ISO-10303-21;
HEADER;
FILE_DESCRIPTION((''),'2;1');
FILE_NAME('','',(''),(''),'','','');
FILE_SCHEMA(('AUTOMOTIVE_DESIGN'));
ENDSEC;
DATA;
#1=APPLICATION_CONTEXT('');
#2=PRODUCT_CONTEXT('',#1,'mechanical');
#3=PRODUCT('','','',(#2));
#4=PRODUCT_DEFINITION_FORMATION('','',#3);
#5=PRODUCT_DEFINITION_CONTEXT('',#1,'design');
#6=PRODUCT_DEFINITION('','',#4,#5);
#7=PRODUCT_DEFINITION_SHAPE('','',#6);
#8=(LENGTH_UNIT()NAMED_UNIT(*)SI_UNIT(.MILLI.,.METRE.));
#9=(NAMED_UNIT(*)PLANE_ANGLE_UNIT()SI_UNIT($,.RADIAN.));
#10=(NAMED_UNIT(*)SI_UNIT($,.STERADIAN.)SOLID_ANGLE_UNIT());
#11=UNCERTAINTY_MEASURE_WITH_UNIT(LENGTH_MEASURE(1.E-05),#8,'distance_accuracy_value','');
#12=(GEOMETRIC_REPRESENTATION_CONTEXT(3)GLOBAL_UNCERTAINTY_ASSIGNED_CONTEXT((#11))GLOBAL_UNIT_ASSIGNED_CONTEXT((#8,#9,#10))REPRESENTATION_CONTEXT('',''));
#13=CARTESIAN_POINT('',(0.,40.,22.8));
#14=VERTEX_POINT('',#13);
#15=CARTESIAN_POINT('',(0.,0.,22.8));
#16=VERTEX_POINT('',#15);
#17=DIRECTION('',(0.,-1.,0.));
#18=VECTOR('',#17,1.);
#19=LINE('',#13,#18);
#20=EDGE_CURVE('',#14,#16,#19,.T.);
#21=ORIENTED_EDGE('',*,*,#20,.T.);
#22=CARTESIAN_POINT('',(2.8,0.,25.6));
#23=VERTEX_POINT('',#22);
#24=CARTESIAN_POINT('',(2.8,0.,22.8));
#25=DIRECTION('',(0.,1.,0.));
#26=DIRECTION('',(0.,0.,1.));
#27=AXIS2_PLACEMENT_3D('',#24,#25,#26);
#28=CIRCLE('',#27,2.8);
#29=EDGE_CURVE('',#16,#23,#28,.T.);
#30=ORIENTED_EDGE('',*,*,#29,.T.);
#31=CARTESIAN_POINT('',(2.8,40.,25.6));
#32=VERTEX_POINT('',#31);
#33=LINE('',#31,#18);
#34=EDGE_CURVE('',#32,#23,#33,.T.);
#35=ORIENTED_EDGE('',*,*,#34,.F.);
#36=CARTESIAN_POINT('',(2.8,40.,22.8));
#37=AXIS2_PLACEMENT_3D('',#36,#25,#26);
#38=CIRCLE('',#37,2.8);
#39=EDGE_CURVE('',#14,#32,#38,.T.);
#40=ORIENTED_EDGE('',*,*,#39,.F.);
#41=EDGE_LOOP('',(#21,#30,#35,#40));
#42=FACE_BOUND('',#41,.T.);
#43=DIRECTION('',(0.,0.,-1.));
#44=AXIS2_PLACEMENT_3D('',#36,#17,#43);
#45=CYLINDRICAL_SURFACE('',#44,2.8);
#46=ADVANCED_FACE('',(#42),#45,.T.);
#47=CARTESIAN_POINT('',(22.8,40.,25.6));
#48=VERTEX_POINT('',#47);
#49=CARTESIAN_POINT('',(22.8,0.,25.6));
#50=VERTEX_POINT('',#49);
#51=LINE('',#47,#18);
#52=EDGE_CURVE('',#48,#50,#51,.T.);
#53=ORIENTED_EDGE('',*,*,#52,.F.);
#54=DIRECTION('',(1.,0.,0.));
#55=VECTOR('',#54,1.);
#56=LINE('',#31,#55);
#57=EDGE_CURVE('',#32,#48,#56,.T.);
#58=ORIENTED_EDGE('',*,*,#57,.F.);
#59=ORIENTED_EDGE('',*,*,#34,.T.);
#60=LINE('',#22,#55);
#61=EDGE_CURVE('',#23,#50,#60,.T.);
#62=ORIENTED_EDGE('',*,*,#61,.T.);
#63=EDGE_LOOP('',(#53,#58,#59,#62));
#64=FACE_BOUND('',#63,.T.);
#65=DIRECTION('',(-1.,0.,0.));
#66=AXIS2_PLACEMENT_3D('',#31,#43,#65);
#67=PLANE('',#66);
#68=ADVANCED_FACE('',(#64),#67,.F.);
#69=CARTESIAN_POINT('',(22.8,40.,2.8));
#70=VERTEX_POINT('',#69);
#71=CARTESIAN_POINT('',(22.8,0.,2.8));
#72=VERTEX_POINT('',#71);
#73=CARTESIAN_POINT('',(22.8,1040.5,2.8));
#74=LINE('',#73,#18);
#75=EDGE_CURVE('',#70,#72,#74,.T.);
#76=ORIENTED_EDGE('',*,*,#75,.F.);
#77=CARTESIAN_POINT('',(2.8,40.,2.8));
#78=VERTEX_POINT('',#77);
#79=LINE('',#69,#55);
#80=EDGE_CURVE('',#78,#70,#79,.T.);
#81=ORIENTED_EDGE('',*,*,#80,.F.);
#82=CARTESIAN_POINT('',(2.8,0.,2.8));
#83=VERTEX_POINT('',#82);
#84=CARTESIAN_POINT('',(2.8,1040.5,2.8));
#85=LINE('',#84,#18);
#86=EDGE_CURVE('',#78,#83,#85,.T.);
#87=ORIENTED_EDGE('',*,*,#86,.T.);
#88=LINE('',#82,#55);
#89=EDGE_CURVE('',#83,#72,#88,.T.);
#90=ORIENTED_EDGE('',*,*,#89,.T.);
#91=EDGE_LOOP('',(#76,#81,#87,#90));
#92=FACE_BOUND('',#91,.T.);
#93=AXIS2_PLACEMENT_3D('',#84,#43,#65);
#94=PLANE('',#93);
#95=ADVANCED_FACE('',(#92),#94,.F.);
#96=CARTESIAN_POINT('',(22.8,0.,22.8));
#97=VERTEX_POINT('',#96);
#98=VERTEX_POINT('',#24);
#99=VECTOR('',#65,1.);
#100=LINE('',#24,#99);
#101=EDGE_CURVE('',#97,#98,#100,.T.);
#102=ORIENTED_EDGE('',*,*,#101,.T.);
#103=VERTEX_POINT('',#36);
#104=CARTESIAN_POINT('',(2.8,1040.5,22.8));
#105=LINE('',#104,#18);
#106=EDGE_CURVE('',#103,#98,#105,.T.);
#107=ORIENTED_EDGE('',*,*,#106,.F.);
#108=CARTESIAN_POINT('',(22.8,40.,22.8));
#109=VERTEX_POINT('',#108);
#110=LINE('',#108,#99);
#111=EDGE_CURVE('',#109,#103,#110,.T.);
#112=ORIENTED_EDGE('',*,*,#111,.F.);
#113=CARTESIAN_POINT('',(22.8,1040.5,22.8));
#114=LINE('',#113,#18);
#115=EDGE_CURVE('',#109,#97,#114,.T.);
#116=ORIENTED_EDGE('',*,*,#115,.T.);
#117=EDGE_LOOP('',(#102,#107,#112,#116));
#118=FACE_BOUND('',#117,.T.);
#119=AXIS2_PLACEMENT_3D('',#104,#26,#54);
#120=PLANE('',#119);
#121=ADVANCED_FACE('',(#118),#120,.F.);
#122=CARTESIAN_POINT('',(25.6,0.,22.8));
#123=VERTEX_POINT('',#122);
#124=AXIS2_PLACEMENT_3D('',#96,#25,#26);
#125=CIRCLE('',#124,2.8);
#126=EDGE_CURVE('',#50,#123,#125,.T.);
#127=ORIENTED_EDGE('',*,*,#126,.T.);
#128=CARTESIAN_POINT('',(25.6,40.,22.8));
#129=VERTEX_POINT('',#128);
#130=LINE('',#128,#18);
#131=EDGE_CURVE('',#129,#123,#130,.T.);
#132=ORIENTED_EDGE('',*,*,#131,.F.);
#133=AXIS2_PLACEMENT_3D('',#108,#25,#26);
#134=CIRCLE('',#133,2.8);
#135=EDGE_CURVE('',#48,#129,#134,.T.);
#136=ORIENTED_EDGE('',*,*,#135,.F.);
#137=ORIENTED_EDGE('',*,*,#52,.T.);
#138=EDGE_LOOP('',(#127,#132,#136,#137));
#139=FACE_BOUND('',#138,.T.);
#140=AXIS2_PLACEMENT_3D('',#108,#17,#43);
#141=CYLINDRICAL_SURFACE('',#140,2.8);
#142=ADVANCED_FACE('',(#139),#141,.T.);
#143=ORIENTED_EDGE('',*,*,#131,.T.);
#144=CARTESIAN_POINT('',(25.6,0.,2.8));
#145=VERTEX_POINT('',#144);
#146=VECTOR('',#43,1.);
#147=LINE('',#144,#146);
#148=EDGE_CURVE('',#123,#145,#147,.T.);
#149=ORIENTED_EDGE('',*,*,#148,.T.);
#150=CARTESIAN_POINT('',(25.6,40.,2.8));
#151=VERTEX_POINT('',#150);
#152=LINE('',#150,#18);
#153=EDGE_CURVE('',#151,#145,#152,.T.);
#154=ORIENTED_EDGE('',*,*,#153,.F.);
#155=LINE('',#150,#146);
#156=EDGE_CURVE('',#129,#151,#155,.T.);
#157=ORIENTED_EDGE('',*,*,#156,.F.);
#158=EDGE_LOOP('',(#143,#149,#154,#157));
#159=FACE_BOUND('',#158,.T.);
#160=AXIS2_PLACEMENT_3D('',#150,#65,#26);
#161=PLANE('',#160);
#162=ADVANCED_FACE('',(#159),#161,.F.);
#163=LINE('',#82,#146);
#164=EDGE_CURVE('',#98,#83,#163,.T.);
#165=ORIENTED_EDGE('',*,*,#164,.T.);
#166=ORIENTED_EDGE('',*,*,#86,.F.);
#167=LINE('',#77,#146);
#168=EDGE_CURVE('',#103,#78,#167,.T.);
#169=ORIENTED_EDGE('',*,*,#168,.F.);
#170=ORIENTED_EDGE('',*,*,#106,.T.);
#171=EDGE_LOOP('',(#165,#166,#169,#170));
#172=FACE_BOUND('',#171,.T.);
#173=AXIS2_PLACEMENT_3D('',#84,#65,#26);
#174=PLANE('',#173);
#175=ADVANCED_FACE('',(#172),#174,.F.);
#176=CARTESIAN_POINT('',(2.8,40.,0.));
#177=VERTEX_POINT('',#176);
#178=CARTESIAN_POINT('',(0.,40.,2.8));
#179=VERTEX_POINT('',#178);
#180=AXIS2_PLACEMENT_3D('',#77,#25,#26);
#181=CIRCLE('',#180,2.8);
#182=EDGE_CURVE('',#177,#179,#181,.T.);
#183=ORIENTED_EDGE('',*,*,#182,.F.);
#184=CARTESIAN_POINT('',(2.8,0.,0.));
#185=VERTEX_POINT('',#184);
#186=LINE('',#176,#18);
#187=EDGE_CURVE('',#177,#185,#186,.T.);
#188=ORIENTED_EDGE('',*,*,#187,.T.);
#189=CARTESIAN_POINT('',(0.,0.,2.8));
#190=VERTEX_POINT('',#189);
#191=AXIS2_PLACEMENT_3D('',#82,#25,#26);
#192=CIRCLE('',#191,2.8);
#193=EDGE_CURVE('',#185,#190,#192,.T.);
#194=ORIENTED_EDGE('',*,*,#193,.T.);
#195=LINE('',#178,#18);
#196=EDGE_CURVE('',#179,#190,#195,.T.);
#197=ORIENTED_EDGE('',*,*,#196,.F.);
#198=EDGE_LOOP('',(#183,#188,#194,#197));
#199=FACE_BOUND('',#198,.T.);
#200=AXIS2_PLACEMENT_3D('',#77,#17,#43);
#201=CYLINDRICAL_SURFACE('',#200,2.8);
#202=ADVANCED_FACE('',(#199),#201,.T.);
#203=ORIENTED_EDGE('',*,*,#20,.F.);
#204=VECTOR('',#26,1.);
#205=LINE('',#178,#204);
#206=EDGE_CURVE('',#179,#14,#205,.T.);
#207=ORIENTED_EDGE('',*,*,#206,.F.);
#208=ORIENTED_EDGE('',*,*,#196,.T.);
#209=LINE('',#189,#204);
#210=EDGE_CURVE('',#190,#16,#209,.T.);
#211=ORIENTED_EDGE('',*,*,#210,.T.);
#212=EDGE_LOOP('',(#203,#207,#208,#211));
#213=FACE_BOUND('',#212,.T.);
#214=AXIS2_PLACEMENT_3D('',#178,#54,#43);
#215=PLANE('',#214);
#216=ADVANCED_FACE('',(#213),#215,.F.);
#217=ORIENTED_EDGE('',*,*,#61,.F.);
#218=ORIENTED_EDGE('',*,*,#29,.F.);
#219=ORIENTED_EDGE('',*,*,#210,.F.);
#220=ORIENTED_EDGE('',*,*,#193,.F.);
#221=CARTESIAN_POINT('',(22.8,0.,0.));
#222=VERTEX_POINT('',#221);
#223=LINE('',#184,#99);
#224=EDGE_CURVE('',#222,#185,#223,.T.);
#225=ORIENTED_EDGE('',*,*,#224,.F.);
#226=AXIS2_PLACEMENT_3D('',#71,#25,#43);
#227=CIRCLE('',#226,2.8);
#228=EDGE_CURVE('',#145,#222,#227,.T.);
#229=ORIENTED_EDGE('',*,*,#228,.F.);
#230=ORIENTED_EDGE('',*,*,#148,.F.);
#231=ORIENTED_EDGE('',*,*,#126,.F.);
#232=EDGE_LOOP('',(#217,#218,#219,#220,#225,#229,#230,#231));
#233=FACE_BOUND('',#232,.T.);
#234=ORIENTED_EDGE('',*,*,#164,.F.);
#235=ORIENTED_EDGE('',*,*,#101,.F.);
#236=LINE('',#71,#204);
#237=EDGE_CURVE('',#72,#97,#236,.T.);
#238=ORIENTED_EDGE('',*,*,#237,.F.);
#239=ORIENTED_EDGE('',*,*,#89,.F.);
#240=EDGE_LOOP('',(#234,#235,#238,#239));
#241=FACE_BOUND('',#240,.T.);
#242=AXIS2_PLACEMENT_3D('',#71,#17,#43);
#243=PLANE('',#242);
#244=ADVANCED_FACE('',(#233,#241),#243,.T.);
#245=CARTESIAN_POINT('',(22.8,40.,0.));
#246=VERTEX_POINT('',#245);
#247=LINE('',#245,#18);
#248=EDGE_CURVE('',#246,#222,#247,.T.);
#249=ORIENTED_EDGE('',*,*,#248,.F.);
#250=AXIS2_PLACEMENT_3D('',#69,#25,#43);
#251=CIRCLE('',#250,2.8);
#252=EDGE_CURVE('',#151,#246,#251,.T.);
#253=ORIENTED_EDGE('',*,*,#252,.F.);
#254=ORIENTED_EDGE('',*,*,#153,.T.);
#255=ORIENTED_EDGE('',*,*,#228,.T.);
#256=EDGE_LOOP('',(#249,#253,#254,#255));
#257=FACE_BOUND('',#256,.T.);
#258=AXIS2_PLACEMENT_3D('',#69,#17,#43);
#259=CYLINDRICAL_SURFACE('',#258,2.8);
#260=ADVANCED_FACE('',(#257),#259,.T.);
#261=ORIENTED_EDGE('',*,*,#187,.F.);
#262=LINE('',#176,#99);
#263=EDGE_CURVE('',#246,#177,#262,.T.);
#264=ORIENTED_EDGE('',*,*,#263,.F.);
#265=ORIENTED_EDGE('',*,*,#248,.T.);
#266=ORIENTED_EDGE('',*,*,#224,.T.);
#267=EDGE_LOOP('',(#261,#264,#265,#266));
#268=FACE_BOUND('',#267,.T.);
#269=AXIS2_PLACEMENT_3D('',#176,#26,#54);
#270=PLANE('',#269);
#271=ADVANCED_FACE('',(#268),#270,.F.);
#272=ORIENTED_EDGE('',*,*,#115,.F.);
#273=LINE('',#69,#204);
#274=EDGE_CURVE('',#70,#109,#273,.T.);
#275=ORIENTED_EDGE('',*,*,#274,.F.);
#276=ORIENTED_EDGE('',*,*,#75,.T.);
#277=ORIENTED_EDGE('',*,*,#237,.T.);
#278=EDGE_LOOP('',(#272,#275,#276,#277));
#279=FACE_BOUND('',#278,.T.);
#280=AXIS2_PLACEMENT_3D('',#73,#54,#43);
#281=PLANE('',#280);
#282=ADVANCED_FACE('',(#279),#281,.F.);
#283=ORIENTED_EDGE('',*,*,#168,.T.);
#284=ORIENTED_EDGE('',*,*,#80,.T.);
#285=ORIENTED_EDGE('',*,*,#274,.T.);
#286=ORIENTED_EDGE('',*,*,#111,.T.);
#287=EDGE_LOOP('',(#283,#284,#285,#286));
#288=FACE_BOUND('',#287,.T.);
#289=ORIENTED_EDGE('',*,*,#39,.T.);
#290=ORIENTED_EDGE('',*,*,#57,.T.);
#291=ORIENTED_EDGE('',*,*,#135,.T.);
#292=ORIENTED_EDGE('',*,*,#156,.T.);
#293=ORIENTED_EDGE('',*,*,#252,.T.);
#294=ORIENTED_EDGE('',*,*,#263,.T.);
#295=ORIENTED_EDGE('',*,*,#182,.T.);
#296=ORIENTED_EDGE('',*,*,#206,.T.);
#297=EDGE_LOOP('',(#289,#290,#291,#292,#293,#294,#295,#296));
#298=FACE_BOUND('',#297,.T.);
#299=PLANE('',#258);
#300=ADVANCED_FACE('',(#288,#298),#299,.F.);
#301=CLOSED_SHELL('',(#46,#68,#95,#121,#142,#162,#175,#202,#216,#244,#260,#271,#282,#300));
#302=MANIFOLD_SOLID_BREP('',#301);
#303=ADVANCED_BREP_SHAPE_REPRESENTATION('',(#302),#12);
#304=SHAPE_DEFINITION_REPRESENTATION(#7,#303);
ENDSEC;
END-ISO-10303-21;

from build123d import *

# Parameters (mm, degrees)
BOSS_EXTRUDE1_DEPTH = 40
SKETCH3_W           = 20
SKETCH3_H           = 20
CUT_EXTRUDE1_DEPTH  = 1040.5


with BuildPart() as part:
    # Sketch1 → Boss-Extrude1 (new body)
    with BuildSketch(Plane(origin=(0, 0, 0), x_dir=(1, 0, 0), z_dir=(0, 1, 0))):
        with BuildLine():
            Line((2.8, 0), (22.8, 0))
            ThreePointArc((22.8, 0), (24.779898987, -0.820101013), (25.6, -2.8))
            Line((25.6, -2.8), (25.6, -22.8))
            ThreePointArc((25.6, -22.8), (24.779898987, -24.779898987), (22.8, -25.6))
            Line((22.8, -25.6), (2.8, -25.6))
            ThreePointArc((2.8, -25.6), (0.820101013, -24.779898987), (0, -22.8))
            Line((0, -22.8), (0, -2.8))
            ThreePointArc((0, -2.8), (0.820101013, -0.820101013), (2.8, 0))
        make_face()
    extrude(amount=BOSS_EXTRUDE1_DEPTH)

    # Sketch3 → Cut-Extrude1 (cut)
    with BuildSketch(Plane(origin=(0, 0, 0), x_dir=(-1, 0, 0), z_dir=(0, -1, 0))):
        with Locations((-12.8, -12.8)):
            Rectangle(SKETCH3_W, SKETCH3_H)
    extrude(amount=-CUT_EXTRUDE1_DEPTH, mode=Mode.SUBTRACT)


solid = part.part
